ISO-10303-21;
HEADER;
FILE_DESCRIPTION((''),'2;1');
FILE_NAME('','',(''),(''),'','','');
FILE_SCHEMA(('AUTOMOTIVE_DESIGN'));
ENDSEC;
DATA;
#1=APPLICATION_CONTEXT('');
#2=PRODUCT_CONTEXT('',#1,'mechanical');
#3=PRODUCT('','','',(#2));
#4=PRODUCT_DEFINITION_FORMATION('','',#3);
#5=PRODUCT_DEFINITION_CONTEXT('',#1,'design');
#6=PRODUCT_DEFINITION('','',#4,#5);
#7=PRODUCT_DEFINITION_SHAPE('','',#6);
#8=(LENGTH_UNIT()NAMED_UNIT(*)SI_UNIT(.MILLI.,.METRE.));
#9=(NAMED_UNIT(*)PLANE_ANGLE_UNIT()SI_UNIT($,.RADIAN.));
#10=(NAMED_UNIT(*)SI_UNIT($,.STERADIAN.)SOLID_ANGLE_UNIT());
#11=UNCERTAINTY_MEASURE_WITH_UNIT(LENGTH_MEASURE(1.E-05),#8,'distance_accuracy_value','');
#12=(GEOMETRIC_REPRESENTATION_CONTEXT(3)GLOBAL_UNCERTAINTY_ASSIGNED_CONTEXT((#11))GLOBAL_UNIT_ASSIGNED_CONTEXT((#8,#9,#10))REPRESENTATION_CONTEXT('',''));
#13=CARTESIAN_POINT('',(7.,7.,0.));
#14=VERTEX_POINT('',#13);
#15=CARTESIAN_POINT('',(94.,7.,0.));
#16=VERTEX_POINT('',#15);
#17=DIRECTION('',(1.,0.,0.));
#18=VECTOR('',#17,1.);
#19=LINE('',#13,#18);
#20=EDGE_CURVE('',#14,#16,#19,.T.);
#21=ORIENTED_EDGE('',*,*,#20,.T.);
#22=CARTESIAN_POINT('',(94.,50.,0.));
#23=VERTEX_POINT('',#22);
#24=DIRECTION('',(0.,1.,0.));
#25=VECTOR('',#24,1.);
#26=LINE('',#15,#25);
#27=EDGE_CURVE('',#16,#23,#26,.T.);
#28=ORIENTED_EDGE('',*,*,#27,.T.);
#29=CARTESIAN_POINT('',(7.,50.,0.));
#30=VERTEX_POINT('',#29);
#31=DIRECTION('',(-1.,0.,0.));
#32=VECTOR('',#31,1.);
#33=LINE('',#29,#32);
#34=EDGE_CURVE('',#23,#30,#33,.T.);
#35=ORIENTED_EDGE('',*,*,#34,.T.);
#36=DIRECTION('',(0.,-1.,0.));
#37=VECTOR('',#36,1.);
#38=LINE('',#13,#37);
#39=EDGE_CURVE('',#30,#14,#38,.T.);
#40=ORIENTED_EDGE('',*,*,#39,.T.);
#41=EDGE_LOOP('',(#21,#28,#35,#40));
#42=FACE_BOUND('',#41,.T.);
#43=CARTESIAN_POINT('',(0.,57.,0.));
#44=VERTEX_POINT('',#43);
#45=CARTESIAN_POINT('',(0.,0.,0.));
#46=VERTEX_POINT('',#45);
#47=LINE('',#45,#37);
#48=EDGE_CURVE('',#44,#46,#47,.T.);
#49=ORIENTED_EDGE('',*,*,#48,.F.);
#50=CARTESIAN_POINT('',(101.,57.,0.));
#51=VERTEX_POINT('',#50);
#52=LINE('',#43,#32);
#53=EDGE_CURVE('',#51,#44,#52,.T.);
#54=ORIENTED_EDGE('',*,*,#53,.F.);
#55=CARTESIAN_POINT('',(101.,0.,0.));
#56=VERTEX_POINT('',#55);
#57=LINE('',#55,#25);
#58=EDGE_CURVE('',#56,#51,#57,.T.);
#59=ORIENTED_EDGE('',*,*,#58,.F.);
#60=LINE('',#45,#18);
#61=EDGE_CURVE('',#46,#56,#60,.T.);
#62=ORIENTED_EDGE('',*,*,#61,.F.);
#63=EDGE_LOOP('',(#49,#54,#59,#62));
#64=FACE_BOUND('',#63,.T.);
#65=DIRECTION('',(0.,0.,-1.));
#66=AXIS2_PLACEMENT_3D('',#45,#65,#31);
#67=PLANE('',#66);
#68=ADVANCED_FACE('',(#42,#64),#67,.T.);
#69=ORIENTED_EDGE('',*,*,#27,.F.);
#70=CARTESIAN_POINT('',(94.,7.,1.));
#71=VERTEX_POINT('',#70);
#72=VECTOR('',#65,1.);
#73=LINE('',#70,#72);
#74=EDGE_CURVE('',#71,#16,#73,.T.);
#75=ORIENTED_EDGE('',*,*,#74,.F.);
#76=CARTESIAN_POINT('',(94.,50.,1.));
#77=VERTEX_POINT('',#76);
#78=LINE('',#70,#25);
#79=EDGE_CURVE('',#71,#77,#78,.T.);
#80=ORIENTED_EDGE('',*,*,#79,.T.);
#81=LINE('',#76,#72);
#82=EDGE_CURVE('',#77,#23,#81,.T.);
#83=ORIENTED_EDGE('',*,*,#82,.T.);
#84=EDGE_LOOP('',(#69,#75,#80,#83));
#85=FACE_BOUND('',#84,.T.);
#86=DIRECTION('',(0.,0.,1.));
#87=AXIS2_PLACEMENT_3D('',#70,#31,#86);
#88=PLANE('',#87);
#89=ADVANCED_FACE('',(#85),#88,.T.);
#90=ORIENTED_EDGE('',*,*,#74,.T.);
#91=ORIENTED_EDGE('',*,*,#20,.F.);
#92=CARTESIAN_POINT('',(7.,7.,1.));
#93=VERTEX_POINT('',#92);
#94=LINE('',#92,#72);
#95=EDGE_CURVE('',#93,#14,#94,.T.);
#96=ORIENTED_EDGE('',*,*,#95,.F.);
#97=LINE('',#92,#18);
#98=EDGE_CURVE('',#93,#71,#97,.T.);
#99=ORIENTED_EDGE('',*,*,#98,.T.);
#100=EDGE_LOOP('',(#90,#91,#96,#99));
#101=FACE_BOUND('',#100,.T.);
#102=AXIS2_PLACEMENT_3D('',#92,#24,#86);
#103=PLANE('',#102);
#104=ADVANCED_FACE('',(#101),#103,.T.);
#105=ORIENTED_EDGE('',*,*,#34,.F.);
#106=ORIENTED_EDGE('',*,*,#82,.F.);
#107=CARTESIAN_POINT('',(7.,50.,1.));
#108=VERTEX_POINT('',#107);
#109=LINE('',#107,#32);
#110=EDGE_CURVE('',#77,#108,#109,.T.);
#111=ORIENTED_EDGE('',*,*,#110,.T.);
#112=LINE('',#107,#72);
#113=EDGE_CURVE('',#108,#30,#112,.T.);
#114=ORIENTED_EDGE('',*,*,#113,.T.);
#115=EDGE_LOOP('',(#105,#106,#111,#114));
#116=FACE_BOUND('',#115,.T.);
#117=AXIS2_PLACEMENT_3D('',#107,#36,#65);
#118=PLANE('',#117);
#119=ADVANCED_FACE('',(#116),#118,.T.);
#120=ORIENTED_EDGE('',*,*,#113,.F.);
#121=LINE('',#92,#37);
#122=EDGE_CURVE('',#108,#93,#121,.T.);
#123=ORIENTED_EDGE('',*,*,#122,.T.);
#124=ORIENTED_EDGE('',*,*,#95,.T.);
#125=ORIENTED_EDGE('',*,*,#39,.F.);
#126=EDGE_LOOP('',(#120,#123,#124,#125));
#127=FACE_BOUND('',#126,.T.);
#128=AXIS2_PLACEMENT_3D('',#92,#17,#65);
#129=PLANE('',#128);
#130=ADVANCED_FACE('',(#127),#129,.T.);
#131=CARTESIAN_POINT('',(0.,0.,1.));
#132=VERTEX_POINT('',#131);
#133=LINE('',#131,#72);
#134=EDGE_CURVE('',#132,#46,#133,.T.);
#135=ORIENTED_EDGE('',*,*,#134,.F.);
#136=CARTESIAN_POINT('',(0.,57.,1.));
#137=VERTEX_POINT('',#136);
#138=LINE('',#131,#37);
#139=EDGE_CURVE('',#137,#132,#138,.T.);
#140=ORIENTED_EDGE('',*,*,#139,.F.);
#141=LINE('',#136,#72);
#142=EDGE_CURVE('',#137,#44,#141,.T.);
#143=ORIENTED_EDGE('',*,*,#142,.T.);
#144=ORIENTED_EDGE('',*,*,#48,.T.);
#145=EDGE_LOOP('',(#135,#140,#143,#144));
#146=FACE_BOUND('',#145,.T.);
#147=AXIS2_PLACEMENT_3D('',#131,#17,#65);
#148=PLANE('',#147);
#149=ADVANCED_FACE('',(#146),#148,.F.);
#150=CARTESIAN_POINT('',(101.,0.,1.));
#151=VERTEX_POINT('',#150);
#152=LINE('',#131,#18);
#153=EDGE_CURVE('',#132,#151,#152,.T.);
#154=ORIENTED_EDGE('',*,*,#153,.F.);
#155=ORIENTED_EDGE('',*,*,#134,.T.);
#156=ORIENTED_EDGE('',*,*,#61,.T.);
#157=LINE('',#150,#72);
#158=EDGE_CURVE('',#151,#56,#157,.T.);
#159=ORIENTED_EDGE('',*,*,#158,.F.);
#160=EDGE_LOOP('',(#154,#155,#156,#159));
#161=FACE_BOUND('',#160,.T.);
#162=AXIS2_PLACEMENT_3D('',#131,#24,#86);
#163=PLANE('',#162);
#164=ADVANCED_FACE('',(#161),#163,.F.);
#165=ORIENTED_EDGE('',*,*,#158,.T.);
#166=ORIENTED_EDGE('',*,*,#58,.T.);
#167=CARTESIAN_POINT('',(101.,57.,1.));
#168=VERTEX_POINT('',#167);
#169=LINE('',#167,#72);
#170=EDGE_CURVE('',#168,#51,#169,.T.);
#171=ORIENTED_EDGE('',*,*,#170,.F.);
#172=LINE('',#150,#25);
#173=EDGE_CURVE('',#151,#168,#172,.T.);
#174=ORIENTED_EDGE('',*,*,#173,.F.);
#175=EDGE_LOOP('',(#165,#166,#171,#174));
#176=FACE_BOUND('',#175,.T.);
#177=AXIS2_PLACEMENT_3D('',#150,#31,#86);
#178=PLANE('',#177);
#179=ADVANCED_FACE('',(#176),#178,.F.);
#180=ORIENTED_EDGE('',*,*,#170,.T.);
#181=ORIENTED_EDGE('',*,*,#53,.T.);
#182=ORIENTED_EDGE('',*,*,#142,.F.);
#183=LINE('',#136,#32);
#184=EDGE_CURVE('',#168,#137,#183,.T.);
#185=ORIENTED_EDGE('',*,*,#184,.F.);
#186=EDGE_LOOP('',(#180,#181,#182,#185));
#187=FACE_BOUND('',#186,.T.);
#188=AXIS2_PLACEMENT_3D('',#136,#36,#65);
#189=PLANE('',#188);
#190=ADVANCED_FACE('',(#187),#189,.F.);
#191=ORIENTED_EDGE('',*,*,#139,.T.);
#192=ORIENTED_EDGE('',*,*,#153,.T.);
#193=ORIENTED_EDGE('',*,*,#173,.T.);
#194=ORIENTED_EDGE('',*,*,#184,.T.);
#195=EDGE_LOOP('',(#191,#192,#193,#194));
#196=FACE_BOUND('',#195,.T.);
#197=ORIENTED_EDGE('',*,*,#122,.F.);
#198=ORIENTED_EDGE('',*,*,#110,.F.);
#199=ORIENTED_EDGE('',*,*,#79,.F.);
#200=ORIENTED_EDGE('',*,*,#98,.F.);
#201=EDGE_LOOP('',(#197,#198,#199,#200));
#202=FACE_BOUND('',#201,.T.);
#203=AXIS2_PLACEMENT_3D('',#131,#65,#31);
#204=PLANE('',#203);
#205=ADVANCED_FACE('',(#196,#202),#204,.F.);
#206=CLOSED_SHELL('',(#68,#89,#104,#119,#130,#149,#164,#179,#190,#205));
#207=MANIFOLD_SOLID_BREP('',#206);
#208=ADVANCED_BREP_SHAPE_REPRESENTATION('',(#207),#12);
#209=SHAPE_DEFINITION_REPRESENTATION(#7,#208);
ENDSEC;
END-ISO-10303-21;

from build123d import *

# Parameters (mm, degrees)
SKETCH1_W     = 101
SKETCH1_H     = 57
SKETCH1_W_2   = 87
SKETCH1_H_2   = 43
PROFILE_DEPTH = 1


with BuildPart() as part:
    # Sketch1 → Profile (new body)
    with BuildSketch(Plane.XY):
        with Locations((50.5, 28.5)):
            Rectangle(SKETCH1_W, SKETCH1_H)
        with Locations((50.5, 28.5)):
            Rectangle(SKETCH1_W_2, SKETCH1_H_2, mode=Mode.SUBTRACT)
    extrude(amount=PROFILE_DEPTH)


solid = part.part
